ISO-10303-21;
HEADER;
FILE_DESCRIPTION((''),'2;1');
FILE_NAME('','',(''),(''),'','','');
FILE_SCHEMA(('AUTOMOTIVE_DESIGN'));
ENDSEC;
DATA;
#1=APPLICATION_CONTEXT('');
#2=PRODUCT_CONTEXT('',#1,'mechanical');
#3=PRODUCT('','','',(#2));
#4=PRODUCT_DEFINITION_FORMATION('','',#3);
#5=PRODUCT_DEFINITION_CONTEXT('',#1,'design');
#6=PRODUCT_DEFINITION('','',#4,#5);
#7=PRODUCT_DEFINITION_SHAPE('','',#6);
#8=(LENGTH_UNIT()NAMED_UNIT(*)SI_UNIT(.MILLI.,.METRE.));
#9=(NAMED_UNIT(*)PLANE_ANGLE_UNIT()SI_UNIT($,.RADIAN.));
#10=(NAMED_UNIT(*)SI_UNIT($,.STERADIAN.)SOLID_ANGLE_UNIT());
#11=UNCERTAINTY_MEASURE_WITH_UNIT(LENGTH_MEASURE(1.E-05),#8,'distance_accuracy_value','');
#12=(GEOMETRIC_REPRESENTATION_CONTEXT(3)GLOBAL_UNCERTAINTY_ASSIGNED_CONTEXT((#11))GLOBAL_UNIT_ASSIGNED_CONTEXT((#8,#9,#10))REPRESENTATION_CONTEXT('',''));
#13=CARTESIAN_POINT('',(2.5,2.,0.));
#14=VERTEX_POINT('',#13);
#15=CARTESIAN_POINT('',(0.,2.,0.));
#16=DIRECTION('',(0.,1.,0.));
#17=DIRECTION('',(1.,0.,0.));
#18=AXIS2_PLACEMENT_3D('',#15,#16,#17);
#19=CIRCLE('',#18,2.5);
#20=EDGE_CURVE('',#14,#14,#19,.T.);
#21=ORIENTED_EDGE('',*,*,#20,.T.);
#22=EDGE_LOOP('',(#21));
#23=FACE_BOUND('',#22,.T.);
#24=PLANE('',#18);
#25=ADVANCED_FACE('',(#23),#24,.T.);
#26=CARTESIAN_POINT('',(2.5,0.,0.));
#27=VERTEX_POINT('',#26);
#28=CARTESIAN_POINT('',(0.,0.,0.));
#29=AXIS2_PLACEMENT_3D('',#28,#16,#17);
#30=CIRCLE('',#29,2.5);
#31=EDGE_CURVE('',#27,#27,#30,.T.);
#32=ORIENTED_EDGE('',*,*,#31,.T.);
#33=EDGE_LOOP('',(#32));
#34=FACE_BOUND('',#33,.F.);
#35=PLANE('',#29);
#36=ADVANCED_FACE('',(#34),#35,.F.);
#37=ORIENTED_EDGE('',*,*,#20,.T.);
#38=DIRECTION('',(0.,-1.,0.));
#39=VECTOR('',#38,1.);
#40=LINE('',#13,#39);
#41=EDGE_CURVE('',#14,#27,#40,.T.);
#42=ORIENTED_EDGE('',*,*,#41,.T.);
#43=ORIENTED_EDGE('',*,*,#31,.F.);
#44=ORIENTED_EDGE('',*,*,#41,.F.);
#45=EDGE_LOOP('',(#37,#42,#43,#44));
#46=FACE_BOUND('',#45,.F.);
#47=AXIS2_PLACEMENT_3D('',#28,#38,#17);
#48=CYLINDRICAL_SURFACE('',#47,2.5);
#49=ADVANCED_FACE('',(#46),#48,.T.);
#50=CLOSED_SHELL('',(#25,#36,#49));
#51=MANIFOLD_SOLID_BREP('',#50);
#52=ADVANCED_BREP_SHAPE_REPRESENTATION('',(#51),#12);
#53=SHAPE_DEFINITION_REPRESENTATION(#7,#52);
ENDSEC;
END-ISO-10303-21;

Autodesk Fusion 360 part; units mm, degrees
sketch "Sketch1" plane through (0, 0, 0) normal (0, 1, 0) x (1, 0, 0)
  line L0 (-1.6, -22.443) -> (-1.6, -22.9443)
  line L1 (1.6, -17.1) -> (1.6, -22.443)
  line L2 (12.8937, 11.3456) -> (17.2163, 14.4861)
  line L3 (15.7686, 6.8059) -> (20.8502, 8.457)
  line L4 (0, 15.5) -> (0, 15.5)
  arc A0 (-17.6219, -14.7807) -> (-14.7807, -17.6219) centre (0, 0) ccw
  arc A1 (-12.8937, -11.3456) -> (-12.5398, -9.1107) centre (-13.8342, -10.0511) ccw
  arc A2 (-12.5398, -9.1107) -> (-14.7746, -8.7567) centre (-13.8342, -10.0511) ccw
  arc A3 (-15.7686, -6.8059) -> (-14.7414, -4.7898) centre (-16.2631, -5.2842) ccw
  arc A4 (-14.7414, -4.7898) -> (-16.7575, -3.7625) centre (-16.2631, -5.2842) ccw
  circle A5 centre (11, 0) radius 1.6
  arc A6 (15.5, 0) -> (17.1, -1.6) centre (17.1, 0) ccw
  arc A7 (17.1, 1.6) -> (15.5, 0) centre (17.1, 0) ccw
  arc A8 (-8.6119, 21.3269) -> (-12.1919, 19.5028) centre (0, 0) ccw
  arc A9 (-14.7807, 17.6219) -> (-17.6219, 14.7807) centre (0, 0) ccw
  arc A10 (-19.5028, 12.1919) -> (-21.3269, 8.6119) centre (0, 0) ccw
  line L5 (-20.8502, 8.457) -> (-21.3269, 8.6119)
  line L6 (-17.2163, 14.4861) -> (-17.6219, 14.7807)
  line L7 (-1.6, -22.443) -> (-1.6, -17.1)
  line L8 (6.8059, -15.7686) -> (8.457, -20.8502)
  arc A11 (6.8059, -15.7686) -> (4.7898, -14.7414) centre (5.2842, -16.2631) ccw
  arc A12 (4.7898, -14.7414) -> (3.7625, -16.7575) centre (5.2842, -16.2631) ccw
  arc A13 (1.6, -17.1) -> (0, -15.5) centre (0, -17.1) ccw
  line L9 (17.1, 1.6) -> (22.443, 1.6)
  circle A14 centre (-11, 0) radius 1.6
  circle A15 centre (0, 0) radius 1.6
  arc A16 (-14.7414, 4.7898) -> (-15.7686, 6.8059) centre (-16.2631, 5.2842) ccw
  arc A17 (-16.7575, 3.7625) -> (-14.7414, 4.7898) centre (-16.2631, 5.2842) ccw
  arc A18 (-15.5, 0) -> (-17.1, 1.6) centre (-17.1, 0) ccw
  arc A19 (-17.1, -1.6) -> (-15.5, 0) centre (-17.1, 0) ccw
  arc A20 (-22.3157, 5.5685) -> (-22.9443, 1.6) centre (0, 0) ccw
  line L10 (-22.443, 1.6) -> (-22.9443, 1.6)
  line L11 (-22.443, -1.6) -> (-22.9443, -1.6)
  line L12 (-21.839, 5.4136) -> (-22.3157, 5.5685)
  line L13 (-22.443, 1.6) -> (-17.1, 1.6)
  line L14 (-17.1, -1.6) -> (-22.443, -1.6)
  line L15 (-16.7575, 3.7625) -> (-21.839, 5.4136)
  circle A21 centre (0, 11) radius 1.6
  arc A22 (12.5398, 9.1107) -> (14.7746, 8.7567) centre (13.8342, 10.0511) ccw
  arc A23 (12.8937, 11.3456) -> (12.5398, 9.1107) centre (13.8342, 10.0511) ccw
  arc A24 (9.1107, 12.5398) -> (11.3456, 12.8937) centre (10.0511, 13.8342) ccw
  arc A25 (8.7567, 14.7746) -> (9.1107, 12.5398) centre (10.0511, 13.8342) ccw
  arc A26 (4.7898, 14.7414) -> (6.8059, 15.7686) centre (5.2842, 16.2631) ccw
  arc A27 (3.7625, 16.7575) -> (4.7898, 14.7414) centre (5.2842, 16.2631) ccw
  arc A28 (17.6219, 14.7807) -> (14.7807, 17.6219) centre (0, 0) ccw
  arc A29 (12.1919, 19.5028) -> (8.6119, 21.3269) centre (0, 0) ccw
  arc A30 (5.5685, 22.3157) -> (1.6, 22.9443) centre (0, 0) ccw
  arc A31 (21.3269, 8.6119) -> (19.5028, 12.1919) centre (0, 0) ccw
  line L16 (1.6, 22.443) -> (1.6, 22.9443)
  line L17 (8.457, 20.8502) -> (8.6119, 21.3269)
  line L18 (5.4136, 21.839) -> (5.5685, 22.3157)
  line L19 (14.4861, 17.2163) -> (14.7807, 17.6219)
  line L20 (11.8973, 19.0973) -> (12.1919, 19.5028)
  arc A32 (-3.7625, -16.7575) -> (-4.7898, -14.7414) centre (-5.2842, -16.2631) ccw
  arc A33 (-22.9443, -1.6) -> (-22.3157, -5.5685) centre (0, 0) ccw
  line L21 (19.0973, 11.8973) -> (19.5028, 12.1919)
  line L22 (17.2163, 14.4861) -> (17.6219, 14.7807)
  line L23 (20.8502, 8.457) -> (21.3269, 8.6119)
  arc A34 (14.7414, 4.7898) -> (16.7575, 3.7625) centre (16.2631, 5.2842) ccw
  arc A35 (15.7686, 6.8059) -> (14.7414, 4.7898) centre (16.2631, 5.2842) ccw
  arc A36 (22.9443, 1.6) -> (22.3157, 5.5685) centre (0, 0) ccw
  line L24 (21.839, 5.4136) -> (22.3157, 5.5685)
  line L25 (22.443, -1.6) -> (22.9443, -1.6)
  line L26 (22.443, 1.6) -> (22.9443, 1.6)
  line L27 (21.839, 5.4136) -> (16.7575, 3.7625)
  line L28 (22.443, -1.6) -> (17.1, -1.6)
  line L29 (8.457, 20.8502) -> (6.8059, 15.7686)
  line L30 (3.7625, 16.7575) -> (5.4136, 21.839)
  line L31 (14.4861, 17.2163) -> (11.3456, 12.8937)
  line L32 (8.7567, 14.7746) -> (11.8973, 19.0973)
  line L33 (19.0973, 11.8973) -> (14.7746, 8.7567)
  line L34 (-19.0973, 11.8973) -> (-19.5028, 12.1919)
  line L35 (-11.8973, 19.0973) -> (-12.1919, 19.5028)
  line L36 (-14.4861, 17.2163) -> (-14.7807, 17.6219)
  line L37 (-5.4136, 21.839) -> (-5.5685, 22.3157)
  line L38 (-8.457, 20.8502) -> (-8.6119, 21.3269)
  line L39 (-1.6, 22.443) -> (-1.6, 22.9443)
  line L40 (-20.8502, 8.457) -> (-15.7686, 6.8059)
  line L41 (-17.2163, 14.4861) -> (-12.8937, 11.3456)
  line L42 (-14.7746, 8.7567) -> (-19.0973, 11.8973)
  line L43 (-11.8973, 19.0973) -> (-8.7567, 14.7746)
  line L44 (-11.3456, 12.8937) -> (-14.4861, 17.2163)
  line L45 (-5.4136, 21.839) -> (-3.7625, 16.7575)
  line L46 (-6.8059, 15.7686) -> (-8.457, 20.8502)
  line L47 (-1.6, 17.1) -> (-1.6, 22.443)
  line L48 (1.6, 22.443) -> (1.6, 17.1)
  arc A37 (-4.7898, 14.7414) -> (-3.7625, 16.7575) centre (-5.2842, 16.2631) ccw
  arc A38 (-6.8059, 15.7686) -> (-4.7898, 14.7414) centre (-5.2842, 16.2631) ccw
  arc A39 (-9.1107, 12.5398) -> (-8.7567, 14.7746) centre (-10.0511, 13.8342) ccw
  arc A40 (-11.3456, 12.8937) -> (-9.1107, 12.5398) centre (-10.0511, 13.8342) ccw
  arc A41 (-12.5398, 9.1107) -> (-12.8937, 11.3456) centre (-13.8342, 10.0511) ccw
  arc A42 (-14.7746, 8.7567) -> (-12.5398, 9.1107) centre (-13.8342, 10.0511) ccw
  arc A43 (-1.6, 22.9443) -> (-5.5685, 22.3157) centre (0, 0) ccw
  arc A44 (-21.3269, -8.6119) -> (-19.5028, -12.1919) centre (0, 0) ccw
  arc A45 (-4.7898, -14.7414) -> (-6.8059, -15.7686) centre (-5.2842, -16.2631) ccw
  arc A46 (-8.7567, -14.7746) -> (-9.1107, -12.5398) centre (-10.0511, -13.8342) ccw
  arc A47 (-9.1107, -12.5398) -> (-11.3456, -12.8937) centre (-10.0511, -13.8342) ccw
  line L49 (8.457, -20.8502) -> (8.6119, -21.3269)
  line L50 (5.4136, -21.839) -> (5.5685, -22.3157)
  line L51 (14.4861, -17.2163) -> (14.7807, -17.6219)
  line L52 (11.8973, -19.0973) -> (12.1919, -19.5028)
  line L53 (19.0973, -11.8973) -> (19.5028, -12.1919)
  line L54 (17.2163, -14.4861) -> (17.6219, -14.7807)
  line L55 (21.839, -5.4136) -> (22.3157, -5.5685)
  line L56 (20.8502, -8.457) -> (21.3269, -8.6119)
  arc A48 (22.3157, -5.5685) -> (22.9443, -1.6) centre (0, 0) ccw
  arc A49 (19.5028, -12.1919) -> (21.3269, -8.6119) centre (0, 0) ccw
  arc A50 (14.7807, -17.6219) -> (17.6219, -14.7807) centre (0, 0) ccw
  arc A51 (8.6119, -21.3269) -> (12.1919, -19.5028) centre (0, 0) ccw
  arc A52 (1.6, -22.9443) -> (5.5685, -22.3157) centre (0, 0) ccw
  arc A53 (16.7575, -3.7625) -> (14.7414, -4.7898) centre (16.2631, -5.2842) ccw
  arc A54 (14.7414, -4.7898) -> (15.7686, -6.8059) centre (16.2631, -5.2842) ccw
  arc A55 (14.7746, -8.7567) -> (12.5398, -9.1107) centre (13.8342, -10.0511) ccw
  arc A56 (12.5398, -9.1107) -> (12.8937, -11.3456) centre (13.8342, -10.0511) ccw
  arc A57 (11.3456, -12.8937) -> (9.1107, -12.5398) centre (10.0511, -13.8342) ccw
  arc A58 (9.1107, -12.5398) -> (8.7567, -14.7746) centre (10.0511, -13.8342) ccw
  line L57 (5.4136, -21.839) -> (3.7625, -16.7575)
  line L58 (11.3456, -12.8937) -> (14.4861, -17.2163)
  line L59 (11.8973, -19.0973) -> (8.7567, -14.7746)
  line L60 (14.7746, -8.7567) -> (19.0973, -11.8973)
  line L61 (17.2163, -14.4861) -> (12.8937, -11.3456)
  line L62 (16.7575, -3.7625) -> (21.839, -5.4136)
  line L63 (20.8502, -8.457) -> (15.7686, -6.8059)
  line L64 (1.6, -22.443) -> (1.6, -22.9443)
  arc A59 (0, -15.5) -> (-1.6, -17.1) centre (0, -17.1) ccw
  circle A60 centre (0, -11) radius 1.6
  line L65 (-15.7686, -6.8059) -> (-20.8502, -8.457)
  line L66 (-21.839, -5.4136) -> (-16.7575, -3.7625)
  line L67 (-12.8937, -11.3456) -> (-17.2163, -14.4861)
  line L68 (-19.0973, -11.8973) -> (-14.7746, -8.7567)
  line L69 (-8.7567, -14.7746) -> (-11.8973, -19.0973)
  line L70 (-14.4861, -17.2163) -> (-11.3456, -12.8937)
  line L71 (-3.7625, -16.7575) -> (-5.4136, -21.839)
  line L72 (-8.457, -20.8502) -> (-6.8059, -15.7686)
  line L73 (-20.8502, -8.457) -> (-21.3269, -8.6119)
  line L74 (-21.839, -5.4136) -> (-22.3157, -5.5685)
  line L75 (-17.2163, -14.4861) -> (-17.6219, -14.7807)
  line L76 (-19.0973, -11.8973) -> (-19.5028, -12.1919)
  line L77 (-11.8973, -19.0973) -> (-12.1919, -19.5028)
  line L78 (-14.4861, -17.2163) -> (-14.7807, -17.6219)
  line L79 (-5.4136, -21.839) -> (-5.5685, -22.3157)
  line L80 (-8.457, -20.8502) -> (-8.6119, -21.3269)
  arc A61 (-5.5685, -22.3157) -> (-1.6, -22.9443) centre (0, 0) ccw
  arc A62 (-12.1919, -19.5028) -> (-8.6119, -21.3269) centre (0, 0) ccw
  arc A63 (-1.6, 17.1) -> (1.6, 17.1) centre (0, 17.1) ccw
  point P0 (1.6, 15.5)
  point P1 (-1.6, 15.5)
extrude "Extrude1" add sketch "Sketch1" along normal blind 1.5

Autodesk Fusion 360 part; units mm, degrees
sketch "Sketch1" plane through (0, 0, 0) normal (0, 1, 0) x (1, 0, 0)
  circle A0 centre (0, 0) radius 2.5
  dimension "d1" = 5
extrude "Extrude1" add sketch "Sketch1" along normal blind 2
